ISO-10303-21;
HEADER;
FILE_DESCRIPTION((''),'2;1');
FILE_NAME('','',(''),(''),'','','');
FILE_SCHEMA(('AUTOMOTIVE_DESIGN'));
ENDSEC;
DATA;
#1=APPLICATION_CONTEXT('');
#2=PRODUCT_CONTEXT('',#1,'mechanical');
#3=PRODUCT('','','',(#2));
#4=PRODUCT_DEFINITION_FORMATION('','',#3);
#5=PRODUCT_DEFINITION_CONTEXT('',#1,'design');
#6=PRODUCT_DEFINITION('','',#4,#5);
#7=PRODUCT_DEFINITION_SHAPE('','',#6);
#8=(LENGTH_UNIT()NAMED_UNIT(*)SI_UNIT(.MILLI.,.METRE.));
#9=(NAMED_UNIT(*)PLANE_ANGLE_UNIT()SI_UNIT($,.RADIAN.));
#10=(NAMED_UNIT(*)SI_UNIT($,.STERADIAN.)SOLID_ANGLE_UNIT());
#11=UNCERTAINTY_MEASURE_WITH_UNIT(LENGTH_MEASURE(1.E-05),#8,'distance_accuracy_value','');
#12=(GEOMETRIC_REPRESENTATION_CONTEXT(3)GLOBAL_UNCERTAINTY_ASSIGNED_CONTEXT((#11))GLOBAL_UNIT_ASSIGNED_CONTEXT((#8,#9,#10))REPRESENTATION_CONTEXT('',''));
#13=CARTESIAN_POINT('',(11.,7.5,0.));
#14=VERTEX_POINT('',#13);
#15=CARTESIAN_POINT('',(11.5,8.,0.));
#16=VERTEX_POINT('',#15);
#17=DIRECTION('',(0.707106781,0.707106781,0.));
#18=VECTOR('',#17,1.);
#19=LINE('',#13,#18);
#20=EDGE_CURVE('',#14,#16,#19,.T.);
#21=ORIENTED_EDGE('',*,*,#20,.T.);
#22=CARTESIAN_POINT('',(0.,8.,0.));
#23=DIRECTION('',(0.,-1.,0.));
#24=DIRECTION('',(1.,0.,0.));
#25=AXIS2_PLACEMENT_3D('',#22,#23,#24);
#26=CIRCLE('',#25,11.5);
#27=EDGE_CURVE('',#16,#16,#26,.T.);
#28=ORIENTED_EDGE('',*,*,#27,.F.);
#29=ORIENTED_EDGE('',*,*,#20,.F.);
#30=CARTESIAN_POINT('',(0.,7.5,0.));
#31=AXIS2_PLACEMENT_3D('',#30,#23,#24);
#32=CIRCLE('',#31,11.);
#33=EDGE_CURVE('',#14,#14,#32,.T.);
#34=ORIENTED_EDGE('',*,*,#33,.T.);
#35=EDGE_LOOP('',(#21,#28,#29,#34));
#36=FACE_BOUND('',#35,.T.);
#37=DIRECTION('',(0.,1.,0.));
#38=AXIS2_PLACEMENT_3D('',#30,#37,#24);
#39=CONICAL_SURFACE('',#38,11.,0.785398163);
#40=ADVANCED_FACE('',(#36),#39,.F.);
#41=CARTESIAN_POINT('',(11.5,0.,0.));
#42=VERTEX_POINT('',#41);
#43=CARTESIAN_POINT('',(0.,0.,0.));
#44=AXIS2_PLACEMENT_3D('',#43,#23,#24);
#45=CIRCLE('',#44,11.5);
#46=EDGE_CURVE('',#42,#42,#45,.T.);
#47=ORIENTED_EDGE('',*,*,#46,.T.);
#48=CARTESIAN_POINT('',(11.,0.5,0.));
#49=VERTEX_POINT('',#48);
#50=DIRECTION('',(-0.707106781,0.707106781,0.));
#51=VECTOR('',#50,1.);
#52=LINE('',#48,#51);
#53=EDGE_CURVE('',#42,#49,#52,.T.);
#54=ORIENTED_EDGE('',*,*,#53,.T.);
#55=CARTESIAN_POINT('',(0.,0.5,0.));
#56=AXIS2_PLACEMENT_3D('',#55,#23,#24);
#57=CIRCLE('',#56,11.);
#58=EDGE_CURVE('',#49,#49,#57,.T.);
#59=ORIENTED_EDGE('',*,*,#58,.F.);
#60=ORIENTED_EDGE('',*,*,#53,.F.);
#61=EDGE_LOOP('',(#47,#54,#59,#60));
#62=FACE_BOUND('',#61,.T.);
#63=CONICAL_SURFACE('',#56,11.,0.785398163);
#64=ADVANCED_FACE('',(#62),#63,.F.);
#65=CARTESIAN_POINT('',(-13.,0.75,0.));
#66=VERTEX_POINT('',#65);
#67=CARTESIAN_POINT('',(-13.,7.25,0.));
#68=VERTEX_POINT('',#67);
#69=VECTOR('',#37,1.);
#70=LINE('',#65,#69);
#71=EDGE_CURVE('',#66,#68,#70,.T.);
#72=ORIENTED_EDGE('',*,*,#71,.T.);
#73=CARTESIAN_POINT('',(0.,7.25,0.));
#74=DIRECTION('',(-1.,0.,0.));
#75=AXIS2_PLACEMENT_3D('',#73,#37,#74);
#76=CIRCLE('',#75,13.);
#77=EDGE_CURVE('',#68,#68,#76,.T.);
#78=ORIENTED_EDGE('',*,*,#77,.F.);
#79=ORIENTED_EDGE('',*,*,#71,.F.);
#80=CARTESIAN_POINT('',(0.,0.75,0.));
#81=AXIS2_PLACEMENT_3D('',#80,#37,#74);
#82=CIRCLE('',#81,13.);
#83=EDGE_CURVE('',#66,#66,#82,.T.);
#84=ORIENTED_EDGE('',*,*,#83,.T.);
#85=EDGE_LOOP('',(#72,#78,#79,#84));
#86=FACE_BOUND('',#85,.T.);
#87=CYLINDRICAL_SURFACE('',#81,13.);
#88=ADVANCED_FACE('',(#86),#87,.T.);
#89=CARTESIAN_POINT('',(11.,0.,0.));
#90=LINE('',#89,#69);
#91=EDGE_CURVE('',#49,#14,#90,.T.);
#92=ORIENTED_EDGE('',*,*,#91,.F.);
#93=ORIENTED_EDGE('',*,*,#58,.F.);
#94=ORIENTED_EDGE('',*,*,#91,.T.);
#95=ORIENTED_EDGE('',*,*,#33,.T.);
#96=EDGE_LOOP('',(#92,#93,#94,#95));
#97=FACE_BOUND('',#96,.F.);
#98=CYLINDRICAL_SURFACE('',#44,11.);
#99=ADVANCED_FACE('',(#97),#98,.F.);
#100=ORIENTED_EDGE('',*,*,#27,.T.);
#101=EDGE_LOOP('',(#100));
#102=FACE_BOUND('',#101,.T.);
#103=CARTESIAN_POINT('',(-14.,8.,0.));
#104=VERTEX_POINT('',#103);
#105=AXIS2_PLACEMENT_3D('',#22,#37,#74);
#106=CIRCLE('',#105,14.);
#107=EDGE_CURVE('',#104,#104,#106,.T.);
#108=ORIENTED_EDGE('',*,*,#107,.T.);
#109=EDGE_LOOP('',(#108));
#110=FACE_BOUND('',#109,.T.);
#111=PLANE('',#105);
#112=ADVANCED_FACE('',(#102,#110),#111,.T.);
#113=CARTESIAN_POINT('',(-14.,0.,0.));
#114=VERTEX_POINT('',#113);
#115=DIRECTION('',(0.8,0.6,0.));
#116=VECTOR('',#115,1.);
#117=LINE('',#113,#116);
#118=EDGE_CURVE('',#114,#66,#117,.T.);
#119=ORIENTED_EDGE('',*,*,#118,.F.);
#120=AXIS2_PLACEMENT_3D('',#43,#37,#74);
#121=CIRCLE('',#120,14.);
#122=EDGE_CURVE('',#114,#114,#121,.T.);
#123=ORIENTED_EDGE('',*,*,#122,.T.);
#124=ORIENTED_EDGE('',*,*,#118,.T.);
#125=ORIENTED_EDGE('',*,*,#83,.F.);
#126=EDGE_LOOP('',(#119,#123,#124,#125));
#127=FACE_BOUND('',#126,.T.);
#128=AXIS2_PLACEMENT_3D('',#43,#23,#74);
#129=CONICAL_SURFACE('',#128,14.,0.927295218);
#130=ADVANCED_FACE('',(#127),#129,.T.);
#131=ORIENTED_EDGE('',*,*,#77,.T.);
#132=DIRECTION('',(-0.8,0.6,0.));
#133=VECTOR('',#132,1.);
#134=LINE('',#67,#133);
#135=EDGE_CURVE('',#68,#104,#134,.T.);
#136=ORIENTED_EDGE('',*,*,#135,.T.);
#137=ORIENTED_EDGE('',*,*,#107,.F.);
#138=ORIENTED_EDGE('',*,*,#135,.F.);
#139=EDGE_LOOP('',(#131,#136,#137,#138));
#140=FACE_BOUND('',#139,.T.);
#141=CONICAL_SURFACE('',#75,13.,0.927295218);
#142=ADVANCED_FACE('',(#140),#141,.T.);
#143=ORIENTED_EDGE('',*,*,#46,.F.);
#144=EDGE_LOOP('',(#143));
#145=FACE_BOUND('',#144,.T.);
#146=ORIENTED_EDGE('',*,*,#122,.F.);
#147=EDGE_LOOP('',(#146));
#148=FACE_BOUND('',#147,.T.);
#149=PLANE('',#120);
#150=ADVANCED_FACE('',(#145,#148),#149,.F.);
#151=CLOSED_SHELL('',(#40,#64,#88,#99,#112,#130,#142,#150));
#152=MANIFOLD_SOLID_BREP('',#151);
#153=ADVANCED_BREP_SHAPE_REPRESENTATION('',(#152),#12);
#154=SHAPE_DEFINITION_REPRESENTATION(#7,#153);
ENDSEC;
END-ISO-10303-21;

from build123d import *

# Parameters (mm, degrees)
SKETCH001_R  = 11
POCKET_DEPTH = 8
CHAMFER_SIZE = 0.5


with BuildPart() as part:
    # Sketch → Revolution (revolve)
    with BuildSketch(Plane.XY):
        Polygon((0, 0), (-14, 0), (-13, 0.75), (-13, 7.25), (-14, 8), (0, 8), align=None)
    revolve(axis=Axis((0, 0, 0), (0, 1, 0)))

    # Sketch001 (on Face1 of Revolution) → Pocket (cut)
    with BuildSketch(Plane.XZ):
        Circle(SKETCH001_R)
    extrude(amount=-POCKET_DEPTH, mode=Mode.SUBTRACT)

    # Chamfer
    chamfer_edges = [part.edges().sort_by_distance(p)[0] for p in [
        (-11, 0, 0),
        (-11, 8, 0),
    ]]
    chamfer(chamfer_edges, length=CHAMFER_SIZE)


solid = part.part
